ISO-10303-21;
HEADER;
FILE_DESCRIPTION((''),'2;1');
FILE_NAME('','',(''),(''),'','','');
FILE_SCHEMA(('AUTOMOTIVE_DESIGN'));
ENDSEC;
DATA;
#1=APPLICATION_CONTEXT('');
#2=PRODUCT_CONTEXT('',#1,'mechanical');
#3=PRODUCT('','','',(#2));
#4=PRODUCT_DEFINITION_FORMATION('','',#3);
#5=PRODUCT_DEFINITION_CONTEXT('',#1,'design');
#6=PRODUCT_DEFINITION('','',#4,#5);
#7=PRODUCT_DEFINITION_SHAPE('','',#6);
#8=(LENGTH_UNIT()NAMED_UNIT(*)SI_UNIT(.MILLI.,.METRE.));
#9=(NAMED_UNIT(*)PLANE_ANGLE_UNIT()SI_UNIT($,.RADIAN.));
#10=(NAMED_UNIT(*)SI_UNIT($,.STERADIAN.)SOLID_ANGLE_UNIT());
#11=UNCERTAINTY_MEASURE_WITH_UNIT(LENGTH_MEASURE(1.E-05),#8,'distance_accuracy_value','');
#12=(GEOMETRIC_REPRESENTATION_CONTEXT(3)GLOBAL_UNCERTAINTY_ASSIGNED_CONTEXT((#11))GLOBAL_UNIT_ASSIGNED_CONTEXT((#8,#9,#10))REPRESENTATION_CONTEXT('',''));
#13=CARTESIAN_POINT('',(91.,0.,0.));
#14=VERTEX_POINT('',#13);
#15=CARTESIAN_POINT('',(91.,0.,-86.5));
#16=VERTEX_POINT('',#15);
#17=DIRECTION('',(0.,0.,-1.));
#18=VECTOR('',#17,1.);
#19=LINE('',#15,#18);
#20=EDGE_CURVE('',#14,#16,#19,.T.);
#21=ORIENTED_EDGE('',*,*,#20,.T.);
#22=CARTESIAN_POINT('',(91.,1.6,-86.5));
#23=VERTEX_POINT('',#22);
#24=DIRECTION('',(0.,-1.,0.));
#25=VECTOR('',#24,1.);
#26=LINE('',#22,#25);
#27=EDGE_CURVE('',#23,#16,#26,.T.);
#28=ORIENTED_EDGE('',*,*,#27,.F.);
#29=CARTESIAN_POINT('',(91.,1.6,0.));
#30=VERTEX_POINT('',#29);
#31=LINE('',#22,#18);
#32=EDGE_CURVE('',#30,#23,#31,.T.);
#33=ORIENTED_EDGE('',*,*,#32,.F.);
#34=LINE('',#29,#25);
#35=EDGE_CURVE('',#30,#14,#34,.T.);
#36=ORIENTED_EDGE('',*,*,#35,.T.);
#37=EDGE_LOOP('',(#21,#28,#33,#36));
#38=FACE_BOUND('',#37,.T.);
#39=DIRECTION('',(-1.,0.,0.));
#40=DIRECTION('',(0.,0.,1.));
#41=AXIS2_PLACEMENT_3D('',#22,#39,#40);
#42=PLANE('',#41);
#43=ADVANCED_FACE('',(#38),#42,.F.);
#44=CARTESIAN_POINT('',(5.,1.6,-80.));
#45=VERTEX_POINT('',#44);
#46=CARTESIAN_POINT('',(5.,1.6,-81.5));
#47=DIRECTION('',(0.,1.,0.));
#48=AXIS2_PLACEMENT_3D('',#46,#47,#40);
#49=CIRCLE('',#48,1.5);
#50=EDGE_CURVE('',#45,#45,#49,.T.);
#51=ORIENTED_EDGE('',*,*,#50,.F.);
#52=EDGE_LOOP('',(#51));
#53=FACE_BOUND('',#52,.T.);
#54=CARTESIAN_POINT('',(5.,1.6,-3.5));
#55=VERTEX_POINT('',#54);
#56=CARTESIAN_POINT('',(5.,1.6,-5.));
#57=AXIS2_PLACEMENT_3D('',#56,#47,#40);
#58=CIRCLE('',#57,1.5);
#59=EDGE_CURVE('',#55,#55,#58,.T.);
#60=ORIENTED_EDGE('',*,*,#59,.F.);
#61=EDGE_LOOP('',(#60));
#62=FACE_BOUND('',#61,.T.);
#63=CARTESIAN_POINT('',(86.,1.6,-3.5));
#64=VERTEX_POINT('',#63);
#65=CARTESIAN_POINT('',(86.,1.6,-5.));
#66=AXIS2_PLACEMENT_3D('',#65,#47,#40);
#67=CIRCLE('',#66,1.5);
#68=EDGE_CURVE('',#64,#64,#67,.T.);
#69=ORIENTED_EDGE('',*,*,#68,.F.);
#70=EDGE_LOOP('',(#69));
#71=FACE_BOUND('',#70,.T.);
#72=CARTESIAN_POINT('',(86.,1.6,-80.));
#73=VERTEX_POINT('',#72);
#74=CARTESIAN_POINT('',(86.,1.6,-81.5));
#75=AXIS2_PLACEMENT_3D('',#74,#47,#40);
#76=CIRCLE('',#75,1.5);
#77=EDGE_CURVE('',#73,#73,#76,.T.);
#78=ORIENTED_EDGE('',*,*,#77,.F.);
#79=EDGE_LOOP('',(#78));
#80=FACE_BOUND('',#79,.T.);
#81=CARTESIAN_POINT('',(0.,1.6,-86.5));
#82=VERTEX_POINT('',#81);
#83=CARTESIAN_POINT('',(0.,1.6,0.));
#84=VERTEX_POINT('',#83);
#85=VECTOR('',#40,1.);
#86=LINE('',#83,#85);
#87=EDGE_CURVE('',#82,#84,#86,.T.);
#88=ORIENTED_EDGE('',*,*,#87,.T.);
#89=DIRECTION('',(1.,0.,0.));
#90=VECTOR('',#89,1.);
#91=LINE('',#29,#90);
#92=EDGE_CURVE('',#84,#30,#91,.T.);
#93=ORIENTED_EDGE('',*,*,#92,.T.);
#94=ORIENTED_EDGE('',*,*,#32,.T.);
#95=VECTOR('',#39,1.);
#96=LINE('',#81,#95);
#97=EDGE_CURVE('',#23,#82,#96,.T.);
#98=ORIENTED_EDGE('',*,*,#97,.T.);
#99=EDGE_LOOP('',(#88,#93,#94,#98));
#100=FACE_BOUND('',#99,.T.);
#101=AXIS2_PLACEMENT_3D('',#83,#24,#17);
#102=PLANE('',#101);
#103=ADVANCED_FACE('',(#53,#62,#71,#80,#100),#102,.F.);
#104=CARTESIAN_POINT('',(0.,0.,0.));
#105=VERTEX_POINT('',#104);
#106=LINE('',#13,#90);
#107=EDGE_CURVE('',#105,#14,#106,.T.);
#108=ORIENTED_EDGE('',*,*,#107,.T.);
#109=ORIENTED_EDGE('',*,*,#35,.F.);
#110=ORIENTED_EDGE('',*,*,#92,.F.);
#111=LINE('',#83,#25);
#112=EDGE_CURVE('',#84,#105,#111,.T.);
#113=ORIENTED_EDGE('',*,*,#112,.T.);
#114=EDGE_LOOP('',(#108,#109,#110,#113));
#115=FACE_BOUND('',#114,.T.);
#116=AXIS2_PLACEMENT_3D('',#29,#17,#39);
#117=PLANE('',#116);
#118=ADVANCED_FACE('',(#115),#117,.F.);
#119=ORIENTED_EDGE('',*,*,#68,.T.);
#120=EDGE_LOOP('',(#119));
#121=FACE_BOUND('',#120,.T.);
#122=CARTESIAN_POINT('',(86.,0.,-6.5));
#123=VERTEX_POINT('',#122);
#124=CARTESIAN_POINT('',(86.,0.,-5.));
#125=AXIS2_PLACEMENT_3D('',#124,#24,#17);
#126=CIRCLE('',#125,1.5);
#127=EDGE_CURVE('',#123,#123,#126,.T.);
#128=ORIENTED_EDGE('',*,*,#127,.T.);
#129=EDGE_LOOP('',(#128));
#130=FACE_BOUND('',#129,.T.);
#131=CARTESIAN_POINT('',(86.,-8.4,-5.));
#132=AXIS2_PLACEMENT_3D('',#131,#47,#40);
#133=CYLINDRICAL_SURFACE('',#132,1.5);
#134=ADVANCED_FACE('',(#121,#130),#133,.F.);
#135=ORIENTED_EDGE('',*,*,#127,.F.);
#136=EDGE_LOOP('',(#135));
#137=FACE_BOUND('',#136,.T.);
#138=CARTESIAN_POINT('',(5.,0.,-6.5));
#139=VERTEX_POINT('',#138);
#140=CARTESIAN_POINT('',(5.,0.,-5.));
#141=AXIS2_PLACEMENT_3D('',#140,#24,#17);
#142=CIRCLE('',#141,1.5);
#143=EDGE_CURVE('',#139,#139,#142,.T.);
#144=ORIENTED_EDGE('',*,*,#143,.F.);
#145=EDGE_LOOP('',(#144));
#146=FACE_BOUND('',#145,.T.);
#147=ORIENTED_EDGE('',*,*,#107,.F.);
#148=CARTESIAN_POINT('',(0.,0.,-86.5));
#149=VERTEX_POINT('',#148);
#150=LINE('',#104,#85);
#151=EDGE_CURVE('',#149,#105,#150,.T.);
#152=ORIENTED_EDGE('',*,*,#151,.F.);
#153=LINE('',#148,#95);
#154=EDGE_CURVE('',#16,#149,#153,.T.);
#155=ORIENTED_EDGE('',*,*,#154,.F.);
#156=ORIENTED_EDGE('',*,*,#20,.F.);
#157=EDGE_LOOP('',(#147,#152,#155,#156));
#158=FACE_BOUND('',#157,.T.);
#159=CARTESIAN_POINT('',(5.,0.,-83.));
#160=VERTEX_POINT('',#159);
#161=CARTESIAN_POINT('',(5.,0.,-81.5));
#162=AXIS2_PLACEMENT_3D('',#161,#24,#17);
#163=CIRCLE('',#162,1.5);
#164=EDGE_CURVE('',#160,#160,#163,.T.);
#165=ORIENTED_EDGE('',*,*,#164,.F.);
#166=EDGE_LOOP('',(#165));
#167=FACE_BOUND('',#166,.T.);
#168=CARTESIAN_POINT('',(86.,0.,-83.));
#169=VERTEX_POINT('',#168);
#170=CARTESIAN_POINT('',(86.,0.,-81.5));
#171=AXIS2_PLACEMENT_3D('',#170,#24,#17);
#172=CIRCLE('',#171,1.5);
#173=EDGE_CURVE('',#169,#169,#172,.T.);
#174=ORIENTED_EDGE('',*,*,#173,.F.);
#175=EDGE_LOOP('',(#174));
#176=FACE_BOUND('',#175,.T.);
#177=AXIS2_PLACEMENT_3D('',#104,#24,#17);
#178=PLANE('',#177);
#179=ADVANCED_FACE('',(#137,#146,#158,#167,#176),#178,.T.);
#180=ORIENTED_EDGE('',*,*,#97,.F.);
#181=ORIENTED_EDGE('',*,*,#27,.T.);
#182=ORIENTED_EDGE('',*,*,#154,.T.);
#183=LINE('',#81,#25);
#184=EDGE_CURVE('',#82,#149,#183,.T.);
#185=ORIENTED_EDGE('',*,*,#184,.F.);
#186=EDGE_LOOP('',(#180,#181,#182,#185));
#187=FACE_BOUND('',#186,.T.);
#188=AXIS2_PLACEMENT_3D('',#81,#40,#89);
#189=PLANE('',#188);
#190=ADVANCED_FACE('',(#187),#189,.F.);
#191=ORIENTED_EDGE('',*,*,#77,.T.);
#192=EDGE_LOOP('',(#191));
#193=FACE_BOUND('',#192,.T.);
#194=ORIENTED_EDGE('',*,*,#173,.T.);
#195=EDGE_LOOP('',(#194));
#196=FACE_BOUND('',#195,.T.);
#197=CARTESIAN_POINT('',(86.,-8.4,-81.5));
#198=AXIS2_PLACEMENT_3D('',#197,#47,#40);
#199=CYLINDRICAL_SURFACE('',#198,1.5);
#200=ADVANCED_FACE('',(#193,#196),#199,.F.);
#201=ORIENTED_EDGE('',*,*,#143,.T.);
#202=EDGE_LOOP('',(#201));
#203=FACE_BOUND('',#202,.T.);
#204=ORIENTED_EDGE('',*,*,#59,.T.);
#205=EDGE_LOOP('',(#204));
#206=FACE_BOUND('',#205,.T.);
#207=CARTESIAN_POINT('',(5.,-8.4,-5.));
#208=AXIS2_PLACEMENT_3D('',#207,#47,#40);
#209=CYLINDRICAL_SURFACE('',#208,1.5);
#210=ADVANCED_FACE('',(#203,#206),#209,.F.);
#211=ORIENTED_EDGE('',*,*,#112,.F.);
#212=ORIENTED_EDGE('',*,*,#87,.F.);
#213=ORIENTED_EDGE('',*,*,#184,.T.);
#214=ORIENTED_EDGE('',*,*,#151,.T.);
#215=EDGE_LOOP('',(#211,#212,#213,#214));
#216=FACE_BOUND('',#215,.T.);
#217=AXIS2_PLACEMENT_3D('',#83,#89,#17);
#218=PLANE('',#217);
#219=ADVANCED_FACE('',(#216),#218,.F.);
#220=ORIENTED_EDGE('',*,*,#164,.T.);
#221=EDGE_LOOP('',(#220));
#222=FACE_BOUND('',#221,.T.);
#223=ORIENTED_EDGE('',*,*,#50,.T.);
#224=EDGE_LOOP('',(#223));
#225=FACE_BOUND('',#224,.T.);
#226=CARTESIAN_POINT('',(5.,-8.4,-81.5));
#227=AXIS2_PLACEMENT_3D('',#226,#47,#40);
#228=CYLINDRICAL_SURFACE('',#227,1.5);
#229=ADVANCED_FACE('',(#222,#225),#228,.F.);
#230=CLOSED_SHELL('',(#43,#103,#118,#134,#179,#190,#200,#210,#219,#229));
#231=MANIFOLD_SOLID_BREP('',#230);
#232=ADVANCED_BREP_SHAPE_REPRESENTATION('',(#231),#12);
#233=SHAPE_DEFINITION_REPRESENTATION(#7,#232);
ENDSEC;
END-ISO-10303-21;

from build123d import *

# Parameters (mm, degrees)
SKETCH2_W          = 91
SKETCH2_H          = 86.5
PCB_DEPTH          = 1.6
CUT_EXTRUDE1_DEPTH = 10


with BuildPart() as part:
    # Sketch2 → PCB (new body)
    with BuildSketch(Plane(origin=(0, 0, 0), x_dir=(1, 0, 0), z_dir=(0, 1, 0))):
        with Locations((45.5, 43.25)):
            Rectangle(SKETCH2_W, SKETCH2_H)
    extrude(amount=PCB_DEPTH)

    # Sketch3 → Cut-Extrude1 (cut)
    with BuildSketch(Plane(origin=(0, 1.6, 0), x_dir=(1, 0, 0), z_dir=(0, 1, 0))):
        with BuildLine():
            ThreePointArc((6.5, 5), (6.060660172, 6.060660172), (5, 6.5))
            Line((5, 6.5), (5, 5))
            Line((5, 5), (6.5, 5))
        make_face()
        with BuildLine():
            Line((5, 5), (5, 6.5))
            ThreePointArc((5, 6.5), (3.939339828, 3.939339828), (6.5, 5))
            Line((6.5, 5), (5, 5))
        make_face()
        with BuildLine():
            ThreePointArc((86, 6.5), (84.939339828, 6.060660172), (84.5, 5))
            Line((84.5, 5), (86, 5))
            Line((86, 5), (86, 6.5))
        make_face()
        with BuildLine():
            Line((86, 5), (84.5, 5))
            ThreePointArc((84.5, 5), (86, 3.5), (87.5, 5))
            ThreePointArc((87.5, 5), (87.060660172, 6.060660172), (86, 6.5))
            Line((86, 6.5), (86, 5))
        make_face()
        with BuildLine():
            ThreePointArc((87.5, 81.5), (86, 83), (84.5, 81.5))
            Line((84.5, 81.5), (86, 81.5))
            Line((86, 81.5), (86, 80))
            ThreePointArc((86, 80), (87.060660172, 80.439339828), (87.5, 81.5))
        make_face()
        with BuildLine():
            Line((86, 81.5), (84.5, 81.5))
            ThreePointArc((84.5, 81.5), (84.939339828, 80.439339828), (86, 80))
            Line((86, 80), (86, 81.5))
        make_face()
        with BuildLine():
            Line((6.5, 81.5), (5, 81.5))
            Line((5, 81.5), (5, 80))
            ThreePointArc((5, 80), (6.060660172, 80.439339828), (6.5, 81.5))
        make_face()
        with BuildLine():
            Line((5, 80), (5, 81.5))
            Line((5, 81.5), (6.5, 81.5))
            ThreePointArc((6.5, 81.5), (3.939339828, 82.560660172), (5, 80))
        make_face()
    extrude(amount=-CUT_EXTRUDE1_DEPTH, mode=Mode.SUBTRACT)


solid = part.part
